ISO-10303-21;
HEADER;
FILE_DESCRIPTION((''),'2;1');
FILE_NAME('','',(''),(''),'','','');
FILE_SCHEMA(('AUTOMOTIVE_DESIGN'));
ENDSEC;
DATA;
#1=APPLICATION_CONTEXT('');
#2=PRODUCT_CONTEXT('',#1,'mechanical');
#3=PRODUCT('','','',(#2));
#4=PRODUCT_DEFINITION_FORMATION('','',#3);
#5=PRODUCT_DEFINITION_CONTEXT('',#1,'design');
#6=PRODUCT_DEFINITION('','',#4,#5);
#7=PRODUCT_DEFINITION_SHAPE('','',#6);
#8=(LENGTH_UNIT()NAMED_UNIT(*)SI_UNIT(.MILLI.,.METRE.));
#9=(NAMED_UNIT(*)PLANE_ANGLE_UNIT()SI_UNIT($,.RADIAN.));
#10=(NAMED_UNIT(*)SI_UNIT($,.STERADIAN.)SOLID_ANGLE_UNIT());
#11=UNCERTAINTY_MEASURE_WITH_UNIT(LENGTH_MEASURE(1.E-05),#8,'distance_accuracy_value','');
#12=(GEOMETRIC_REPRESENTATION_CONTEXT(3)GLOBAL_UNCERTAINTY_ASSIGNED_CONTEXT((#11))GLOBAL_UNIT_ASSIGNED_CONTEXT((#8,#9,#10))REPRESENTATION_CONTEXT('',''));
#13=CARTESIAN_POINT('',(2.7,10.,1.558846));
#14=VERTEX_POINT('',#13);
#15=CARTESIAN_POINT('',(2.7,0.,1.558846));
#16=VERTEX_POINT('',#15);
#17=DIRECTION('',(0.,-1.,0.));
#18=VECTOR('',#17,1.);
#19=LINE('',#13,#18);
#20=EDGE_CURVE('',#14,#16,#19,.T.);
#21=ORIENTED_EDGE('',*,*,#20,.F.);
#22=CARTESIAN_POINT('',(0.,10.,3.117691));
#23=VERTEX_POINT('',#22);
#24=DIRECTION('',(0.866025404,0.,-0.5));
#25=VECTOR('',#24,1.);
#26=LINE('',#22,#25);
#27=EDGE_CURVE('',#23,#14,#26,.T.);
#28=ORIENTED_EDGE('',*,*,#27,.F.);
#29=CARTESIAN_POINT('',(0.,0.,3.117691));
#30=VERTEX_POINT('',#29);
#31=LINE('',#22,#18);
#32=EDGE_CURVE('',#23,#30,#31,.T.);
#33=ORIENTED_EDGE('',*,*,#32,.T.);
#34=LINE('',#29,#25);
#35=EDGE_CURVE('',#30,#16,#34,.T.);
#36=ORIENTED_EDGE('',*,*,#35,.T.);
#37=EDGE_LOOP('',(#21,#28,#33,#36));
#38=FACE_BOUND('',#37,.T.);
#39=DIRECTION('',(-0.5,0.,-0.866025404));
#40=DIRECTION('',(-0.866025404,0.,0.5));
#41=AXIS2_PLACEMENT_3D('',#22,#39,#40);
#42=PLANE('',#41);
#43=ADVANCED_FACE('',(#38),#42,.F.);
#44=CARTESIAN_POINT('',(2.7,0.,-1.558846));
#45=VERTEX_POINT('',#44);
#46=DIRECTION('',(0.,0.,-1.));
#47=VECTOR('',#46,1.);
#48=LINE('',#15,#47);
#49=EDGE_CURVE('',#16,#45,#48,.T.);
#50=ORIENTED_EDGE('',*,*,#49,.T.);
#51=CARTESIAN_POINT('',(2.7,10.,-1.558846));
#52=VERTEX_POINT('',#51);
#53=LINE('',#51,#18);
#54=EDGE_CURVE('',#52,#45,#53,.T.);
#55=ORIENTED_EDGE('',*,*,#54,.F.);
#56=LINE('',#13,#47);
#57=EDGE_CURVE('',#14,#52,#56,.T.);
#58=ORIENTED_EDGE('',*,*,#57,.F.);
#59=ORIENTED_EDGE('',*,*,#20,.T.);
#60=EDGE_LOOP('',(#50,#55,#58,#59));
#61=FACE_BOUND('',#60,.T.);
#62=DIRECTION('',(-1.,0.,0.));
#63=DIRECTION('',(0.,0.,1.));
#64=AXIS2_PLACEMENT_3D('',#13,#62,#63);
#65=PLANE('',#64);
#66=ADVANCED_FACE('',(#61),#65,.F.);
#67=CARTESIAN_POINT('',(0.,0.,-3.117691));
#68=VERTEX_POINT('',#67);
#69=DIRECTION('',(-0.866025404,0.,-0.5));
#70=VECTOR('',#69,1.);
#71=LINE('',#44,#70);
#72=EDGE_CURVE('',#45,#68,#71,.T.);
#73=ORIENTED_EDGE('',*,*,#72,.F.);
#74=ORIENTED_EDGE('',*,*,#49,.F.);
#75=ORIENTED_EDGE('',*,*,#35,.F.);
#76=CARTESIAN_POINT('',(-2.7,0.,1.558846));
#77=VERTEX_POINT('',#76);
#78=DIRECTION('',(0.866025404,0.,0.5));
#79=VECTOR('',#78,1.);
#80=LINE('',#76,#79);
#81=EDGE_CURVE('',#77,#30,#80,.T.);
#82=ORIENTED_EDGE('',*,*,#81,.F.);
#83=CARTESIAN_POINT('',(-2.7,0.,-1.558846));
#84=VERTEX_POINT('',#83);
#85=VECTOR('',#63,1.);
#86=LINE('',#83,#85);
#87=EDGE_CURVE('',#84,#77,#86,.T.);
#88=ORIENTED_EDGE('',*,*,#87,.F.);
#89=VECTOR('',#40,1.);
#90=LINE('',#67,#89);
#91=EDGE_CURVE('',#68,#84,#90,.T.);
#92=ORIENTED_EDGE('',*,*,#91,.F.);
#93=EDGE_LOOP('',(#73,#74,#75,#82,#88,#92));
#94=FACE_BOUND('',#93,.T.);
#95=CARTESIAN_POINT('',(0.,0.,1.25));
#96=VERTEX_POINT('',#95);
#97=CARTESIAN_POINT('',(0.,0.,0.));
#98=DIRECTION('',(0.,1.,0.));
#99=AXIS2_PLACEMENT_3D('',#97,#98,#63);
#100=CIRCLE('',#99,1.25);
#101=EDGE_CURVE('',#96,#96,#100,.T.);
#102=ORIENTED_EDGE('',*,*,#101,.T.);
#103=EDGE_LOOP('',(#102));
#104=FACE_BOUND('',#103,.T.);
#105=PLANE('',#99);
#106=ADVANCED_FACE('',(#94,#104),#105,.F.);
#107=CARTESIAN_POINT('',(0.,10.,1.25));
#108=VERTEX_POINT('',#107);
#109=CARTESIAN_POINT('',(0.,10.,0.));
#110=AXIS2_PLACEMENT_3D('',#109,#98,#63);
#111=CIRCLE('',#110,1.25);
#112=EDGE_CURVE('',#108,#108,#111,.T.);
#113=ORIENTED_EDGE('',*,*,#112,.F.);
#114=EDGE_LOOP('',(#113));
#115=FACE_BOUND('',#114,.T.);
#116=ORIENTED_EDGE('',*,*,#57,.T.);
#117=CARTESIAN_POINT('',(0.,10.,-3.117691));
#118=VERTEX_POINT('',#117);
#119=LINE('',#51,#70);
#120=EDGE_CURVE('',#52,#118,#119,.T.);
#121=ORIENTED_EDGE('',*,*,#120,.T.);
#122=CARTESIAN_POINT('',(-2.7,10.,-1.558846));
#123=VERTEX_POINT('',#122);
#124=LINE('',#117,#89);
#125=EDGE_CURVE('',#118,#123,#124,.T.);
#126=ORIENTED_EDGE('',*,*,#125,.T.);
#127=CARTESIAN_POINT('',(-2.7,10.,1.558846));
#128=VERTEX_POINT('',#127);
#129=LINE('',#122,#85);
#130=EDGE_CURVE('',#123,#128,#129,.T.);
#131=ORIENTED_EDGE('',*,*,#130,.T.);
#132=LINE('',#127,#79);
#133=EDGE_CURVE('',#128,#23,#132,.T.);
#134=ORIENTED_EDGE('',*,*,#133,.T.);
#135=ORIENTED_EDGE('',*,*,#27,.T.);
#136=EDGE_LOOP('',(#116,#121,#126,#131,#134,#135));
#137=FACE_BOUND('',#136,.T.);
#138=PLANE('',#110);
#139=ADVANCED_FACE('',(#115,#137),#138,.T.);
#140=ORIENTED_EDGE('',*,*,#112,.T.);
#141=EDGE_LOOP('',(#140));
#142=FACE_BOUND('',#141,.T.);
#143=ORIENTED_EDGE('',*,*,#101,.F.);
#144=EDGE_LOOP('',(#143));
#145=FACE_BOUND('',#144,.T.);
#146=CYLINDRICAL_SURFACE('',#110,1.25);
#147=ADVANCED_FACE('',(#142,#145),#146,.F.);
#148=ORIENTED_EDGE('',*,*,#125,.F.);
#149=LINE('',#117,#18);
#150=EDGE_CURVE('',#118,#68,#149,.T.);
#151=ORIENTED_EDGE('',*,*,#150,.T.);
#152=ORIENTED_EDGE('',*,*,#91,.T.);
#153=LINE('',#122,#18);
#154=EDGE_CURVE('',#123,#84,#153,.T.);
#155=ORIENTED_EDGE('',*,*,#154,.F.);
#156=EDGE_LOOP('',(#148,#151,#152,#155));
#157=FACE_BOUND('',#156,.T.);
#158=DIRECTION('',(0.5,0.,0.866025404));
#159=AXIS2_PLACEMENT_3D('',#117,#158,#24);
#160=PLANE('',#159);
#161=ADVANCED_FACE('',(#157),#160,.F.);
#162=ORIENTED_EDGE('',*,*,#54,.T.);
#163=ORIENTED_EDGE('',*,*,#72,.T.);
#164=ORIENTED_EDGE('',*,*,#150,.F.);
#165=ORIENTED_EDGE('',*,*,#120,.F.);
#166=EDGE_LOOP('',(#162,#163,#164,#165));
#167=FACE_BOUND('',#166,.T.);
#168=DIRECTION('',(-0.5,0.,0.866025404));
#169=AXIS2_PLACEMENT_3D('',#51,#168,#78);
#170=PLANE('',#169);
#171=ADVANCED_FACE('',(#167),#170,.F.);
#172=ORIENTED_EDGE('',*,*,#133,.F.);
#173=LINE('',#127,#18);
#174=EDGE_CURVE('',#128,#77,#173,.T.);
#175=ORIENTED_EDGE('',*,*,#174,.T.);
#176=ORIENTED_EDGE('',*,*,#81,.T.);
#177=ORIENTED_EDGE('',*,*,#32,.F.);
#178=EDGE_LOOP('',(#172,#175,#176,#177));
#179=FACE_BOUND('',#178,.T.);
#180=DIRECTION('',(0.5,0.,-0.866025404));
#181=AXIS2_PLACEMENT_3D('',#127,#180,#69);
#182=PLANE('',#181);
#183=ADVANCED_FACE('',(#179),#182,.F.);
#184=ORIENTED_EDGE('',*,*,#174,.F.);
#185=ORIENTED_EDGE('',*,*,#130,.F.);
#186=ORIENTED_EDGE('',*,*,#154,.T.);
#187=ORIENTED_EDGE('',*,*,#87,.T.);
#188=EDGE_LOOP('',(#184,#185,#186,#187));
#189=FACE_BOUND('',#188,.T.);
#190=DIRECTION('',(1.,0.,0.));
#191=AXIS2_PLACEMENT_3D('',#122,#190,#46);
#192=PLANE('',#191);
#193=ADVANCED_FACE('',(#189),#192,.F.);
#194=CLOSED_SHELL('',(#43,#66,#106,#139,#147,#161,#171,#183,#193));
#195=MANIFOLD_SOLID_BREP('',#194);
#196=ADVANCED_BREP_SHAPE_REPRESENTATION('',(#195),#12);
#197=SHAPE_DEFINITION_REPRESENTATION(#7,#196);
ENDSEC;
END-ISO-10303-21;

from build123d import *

# Parameters (mm, degrees)
BOSS_EXTRUDE1_DEPTH   = 10
M3X0_5_TAPPED_HOLE2_D = 2.5


with BuildPart() as part:
    # Sketch1 → Boss-Extrude1 (new body)
    with BuildSketch(Plane(origin=(0, 0, 0), x_dir=(1, 0, 0), z_dir=(0, 1, 0))):
        Polygon((0, 3.117691454), (-2.7, 1.558845727), (-2.7, -1.558845727), (0, -3.117691454), (2.7, -1.558845727), (2.7, 1.558845727), align=None)
    extrude(amount=BOSS_EXTRUDE1_DEPTH)

    # M3x0.5 Tapped Hole2 (through all)
    with Locations(Plane(origin=(0, 10, 0), x_dir=(1, 0, 0), z_dir=(0, 1, 0))):
        with Locations((0, 0)):
            Hole(M3X0_5_TAPPED_HOLE2_D / 2)


solid = part.part
